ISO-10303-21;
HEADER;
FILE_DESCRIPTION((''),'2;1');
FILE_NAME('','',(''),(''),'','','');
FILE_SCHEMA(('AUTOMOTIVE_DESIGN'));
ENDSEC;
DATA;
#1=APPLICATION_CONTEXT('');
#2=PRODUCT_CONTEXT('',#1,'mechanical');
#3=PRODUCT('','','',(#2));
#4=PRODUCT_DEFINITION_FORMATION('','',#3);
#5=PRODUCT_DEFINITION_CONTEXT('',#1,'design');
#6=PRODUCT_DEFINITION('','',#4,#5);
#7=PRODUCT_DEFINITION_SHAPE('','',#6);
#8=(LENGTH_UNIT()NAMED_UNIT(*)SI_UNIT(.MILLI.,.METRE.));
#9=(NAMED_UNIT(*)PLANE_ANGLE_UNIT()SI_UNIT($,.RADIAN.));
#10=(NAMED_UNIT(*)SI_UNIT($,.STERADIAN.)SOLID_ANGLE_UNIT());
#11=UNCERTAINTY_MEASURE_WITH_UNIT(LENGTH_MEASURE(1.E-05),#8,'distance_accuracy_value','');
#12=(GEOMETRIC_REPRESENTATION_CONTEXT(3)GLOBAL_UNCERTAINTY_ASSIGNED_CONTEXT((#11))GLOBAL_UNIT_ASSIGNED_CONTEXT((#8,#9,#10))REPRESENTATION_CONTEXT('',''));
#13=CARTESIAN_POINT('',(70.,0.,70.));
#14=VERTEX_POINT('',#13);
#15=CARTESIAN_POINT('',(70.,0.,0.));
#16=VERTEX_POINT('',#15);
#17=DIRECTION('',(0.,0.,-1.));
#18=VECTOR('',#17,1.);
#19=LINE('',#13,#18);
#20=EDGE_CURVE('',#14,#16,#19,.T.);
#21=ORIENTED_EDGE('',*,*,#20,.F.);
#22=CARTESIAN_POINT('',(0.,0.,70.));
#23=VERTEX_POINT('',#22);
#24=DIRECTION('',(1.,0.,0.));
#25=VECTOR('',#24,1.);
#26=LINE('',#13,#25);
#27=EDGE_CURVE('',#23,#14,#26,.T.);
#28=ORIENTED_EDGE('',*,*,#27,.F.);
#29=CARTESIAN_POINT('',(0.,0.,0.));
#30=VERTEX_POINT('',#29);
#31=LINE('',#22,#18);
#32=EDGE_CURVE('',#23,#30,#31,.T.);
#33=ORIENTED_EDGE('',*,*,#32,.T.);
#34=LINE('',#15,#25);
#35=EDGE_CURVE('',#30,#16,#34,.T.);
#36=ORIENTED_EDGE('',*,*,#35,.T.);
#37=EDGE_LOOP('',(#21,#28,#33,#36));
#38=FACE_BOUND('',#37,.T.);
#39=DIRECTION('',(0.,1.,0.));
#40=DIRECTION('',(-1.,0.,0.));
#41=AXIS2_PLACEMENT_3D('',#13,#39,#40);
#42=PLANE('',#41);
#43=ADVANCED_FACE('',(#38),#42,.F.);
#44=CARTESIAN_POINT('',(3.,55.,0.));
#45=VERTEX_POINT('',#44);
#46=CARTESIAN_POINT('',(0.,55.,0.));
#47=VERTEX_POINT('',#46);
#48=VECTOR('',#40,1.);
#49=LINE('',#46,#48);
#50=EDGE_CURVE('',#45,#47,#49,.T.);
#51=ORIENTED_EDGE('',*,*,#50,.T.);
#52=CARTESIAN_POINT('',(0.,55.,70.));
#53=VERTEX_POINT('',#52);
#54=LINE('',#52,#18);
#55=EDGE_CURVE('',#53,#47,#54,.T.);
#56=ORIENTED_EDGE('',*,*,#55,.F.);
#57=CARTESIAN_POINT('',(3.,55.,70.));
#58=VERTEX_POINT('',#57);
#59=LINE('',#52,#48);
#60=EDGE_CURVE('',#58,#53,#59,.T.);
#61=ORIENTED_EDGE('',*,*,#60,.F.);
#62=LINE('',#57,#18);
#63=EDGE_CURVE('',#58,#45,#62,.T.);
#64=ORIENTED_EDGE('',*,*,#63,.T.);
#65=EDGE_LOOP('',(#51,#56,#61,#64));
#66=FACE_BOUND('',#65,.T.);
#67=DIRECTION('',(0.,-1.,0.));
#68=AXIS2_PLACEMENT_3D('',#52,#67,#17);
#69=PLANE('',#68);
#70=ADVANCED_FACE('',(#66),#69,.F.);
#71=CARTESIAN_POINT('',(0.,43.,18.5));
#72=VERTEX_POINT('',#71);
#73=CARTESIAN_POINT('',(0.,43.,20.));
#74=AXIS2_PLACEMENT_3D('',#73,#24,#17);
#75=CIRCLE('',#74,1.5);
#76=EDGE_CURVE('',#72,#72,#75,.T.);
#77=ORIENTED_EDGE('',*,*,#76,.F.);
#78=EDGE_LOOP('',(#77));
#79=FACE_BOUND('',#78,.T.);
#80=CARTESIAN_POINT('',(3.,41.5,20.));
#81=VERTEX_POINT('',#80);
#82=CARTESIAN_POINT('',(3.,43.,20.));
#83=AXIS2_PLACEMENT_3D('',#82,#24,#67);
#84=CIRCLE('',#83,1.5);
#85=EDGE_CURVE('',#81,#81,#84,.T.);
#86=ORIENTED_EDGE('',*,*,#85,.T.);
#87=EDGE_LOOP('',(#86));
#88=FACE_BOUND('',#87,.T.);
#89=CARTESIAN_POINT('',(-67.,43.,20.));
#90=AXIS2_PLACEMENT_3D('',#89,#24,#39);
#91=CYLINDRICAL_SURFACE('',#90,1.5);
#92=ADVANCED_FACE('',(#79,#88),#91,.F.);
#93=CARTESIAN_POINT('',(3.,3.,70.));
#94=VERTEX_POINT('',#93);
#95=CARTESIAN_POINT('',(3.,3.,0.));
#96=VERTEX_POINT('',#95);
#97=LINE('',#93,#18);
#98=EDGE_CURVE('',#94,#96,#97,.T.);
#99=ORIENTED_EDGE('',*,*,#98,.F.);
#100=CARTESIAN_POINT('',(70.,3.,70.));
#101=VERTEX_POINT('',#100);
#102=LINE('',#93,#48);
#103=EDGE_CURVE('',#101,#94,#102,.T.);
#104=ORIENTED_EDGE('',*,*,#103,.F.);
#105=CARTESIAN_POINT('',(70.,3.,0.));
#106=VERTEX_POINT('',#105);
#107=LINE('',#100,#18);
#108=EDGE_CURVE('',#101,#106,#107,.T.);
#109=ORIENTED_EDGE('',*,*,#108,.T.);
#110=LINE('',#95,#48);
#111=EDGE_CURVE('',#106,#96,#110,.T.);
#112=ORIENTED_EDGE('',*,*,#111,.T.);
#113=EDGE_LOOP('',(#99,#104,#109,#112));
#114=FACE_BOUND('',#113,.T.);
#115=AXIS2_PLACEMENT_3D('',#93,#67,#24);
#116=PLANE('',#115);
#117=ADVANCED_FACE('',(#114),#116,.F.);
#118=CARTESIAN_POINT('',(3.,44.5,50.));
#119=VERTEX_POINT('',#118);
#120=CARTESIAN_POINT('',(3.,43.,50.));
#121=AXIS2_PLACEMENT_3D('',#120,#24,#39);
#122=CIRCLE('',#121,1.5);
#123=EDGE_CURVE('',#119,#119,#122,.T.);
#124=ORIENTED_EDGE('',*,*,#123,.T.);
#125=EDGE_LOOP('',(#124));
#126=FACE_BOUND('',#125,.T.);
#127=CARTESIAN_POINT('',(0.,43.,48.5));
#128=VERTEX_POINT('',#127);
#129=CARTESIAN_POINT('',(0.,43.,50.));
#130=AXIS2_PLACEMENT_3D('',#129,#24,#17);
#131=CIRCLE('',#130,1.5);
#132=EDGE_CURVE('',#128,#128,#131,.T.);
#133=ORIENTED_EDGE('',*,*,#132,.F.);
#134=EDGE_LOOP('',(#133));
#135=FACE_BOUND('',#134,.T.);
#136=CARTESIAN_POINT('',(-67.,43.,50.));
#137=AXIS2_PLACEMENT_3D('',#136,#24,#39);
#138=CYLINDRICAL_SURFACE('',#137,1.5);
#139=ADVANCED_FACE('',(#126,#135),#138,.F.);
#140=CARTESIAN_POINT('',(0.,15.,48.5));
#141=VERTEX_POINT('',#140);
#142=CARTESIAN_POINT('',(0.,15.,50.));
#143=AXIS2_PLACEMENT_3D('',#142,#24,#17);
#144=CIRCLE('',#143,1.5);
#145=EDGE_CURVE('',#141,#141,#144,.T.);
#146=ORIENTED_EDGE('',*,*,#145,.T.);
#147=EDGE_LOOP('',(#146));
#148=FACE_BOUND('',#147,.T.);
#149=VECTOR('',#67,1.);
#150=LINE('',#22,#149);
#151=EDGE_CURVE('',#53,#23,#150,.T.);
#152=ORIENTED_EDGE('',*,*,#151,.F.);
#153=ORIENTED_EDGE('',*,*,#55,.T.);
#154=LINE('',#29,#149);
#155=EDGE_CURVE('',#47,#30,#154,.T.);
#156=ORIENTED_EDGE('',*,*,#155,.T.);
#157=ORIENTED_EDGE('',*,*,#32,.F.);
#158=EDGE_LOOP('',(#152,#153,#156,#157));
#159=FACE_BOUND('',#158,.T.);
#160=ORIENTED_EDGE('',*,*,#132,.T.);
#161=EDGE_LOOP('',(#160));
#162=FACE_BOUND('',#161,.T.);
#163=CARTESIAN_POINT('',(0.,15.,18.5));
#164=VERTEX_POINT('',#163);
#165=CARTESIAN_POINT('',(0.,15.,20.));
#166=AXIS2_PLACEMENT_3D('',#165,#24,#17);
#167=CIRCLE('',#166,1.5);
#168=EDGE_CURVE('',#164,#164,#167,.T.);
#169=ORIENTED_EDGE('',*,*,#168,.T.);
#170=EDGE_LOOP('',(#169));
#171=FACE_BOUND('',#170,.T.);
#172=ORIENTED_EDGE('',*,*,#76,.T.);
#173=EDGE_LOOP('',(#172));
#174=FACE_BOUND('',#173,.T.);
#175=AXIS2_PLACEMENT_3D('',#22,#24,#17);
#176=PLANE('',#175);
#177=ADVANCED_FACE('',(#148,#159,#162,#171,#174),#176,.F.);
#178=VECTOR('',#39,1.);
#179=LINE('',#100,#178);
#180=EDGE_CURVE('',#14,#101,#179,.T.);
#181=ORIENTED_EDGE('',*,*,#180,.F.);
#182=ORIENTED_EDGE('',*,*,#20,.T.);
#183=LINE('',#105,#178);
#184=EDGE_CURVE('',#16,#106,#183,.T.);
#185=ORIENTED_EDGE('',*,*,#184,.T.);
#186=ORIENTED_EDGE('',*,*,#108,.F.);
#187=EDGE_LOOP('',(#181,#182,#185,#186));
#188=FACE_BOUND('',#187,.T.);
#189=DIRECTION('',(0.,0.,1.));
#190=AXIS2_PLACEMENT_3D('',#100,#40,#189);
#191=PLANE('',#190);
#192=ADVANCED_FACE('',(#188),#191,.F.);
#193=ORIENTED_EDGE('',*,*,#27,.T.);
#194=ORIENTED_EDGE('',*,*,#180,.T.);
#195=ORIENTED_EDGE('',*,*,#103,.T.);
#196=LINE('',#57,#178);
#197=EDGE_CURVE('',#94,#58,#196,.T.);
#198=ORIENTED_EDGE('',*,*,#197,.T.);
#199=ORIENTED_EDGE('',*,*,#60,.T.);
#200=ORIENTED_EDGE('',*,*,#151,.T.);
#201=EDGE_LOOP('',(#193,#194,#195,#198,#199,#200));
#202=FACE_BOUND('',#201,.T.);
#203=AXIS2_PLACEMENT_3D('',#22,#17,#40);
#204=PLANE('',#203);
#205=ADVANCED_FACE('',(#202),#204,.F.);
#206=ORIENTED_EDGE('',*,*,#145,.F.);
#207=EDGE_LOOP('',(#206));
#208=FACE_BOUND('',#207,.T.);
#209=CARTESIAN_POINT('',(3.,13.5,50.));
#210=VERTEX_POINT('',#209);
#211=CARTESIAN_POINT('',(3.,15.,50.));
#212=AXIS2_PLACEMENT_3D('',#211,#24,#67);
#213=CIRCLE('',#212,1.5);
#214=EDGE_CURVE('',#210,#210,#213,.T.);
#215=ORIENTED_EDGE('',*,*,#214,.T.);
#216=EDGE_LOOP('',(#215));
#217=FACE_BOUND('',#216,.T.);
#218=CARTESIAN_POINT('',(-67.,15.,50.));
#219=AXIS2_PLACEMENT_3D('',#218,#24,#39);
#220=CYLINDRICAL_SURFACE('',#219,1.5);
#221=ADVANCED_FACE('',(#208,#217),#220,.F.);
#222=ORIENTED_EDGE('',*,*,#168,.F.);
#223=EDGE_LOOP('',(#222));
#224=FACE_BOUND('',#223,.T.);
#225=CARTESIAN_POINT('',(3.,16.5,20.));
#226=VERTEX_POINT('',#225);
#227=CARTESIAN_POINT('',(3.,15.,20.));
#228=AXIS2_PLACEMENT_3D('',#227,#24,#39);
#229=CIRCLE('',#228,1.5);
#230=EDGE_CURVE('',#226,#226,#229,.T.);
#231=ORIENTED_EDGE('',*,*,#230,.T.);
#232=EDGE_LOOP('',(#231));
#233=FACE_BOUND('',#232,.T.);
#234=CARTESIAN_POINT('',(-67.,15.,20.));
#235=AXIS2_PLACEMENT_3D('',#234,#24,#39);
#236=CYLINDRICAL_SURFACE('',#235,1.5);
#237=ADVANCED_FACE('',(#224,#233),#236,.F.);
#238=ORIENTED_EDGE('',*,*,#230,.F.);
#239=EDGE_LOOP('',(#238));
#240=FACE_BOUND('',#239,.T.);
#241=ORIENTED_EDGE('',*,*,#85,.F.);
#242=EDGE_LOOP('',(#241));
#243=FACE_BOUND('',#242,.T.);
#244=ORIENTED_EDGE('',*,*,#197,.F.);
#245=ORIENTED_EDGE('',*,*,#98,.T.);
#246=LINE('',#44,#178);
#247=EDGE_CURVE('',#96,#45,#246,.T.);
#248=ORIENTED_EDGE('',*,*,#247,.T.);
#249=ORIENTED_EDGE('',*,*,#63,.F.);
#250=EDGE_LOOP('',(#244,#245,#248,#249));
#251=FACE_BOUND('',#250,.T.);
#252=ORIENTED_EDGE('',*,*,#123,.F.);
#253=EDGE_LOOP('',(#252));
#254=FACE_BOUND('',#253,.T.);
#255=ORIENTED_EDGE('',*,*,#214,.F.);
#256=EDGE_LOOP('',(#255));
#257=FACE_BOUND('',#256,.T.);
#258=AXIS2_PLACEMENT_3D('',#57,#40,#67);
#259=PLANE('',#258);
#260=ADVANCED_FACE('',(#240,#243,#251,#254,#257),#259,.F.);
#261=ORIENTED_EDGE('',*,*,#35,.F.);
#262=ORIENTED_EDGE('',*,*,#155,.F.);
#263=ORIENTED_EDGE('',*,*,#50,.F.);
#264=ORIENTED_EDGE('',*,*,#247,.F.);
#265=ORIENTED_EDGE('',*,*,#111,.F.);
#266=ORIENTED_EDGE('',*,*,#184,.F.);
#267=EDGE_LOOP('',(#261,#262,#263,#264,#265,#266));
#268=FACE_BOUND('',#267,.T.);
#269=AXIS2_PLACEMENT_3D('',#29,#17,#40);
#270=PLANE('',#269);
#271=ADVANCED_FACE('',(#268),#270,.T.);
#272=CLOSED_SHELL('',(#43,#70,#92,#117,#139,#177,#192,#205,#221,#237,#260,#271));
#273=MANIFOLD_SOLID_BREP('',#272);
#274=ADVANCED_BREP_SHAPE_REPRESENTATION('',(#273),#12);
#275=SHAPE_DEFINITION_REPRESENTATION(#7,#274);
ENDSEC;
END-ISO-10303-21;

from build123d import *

# Parameters (mm, degrees)
BOSS_EXTRUDE1_DEPTH = 70
SKETCH2_R           = 1.5
CUT_EXTRUDE1_DEPTH  = 70


with BuildPart() as part:
    # Sketch1 → Boss-Extrude1 (new body)
    with BuildSketch(Plane.XY):
        Polygon((0, 0), (0, 55), (3, 55), (3, 3), (70, 3), (70, 0), align=None)
    extrude(amount=BOSS_EXTRUDE1_DEPTH)

    # Sketch2 → Cut-Extrude1 (cut)
    with BuildSketch(Plane(origin=(3, 0, 0), x_dir=(0, 0, -1), z_dir=(1, 0, 0))):
        with Locations((-50, 43)):
            Circle(SKETCH2_R)
        with Locations((-20, 43)):
            Circle(SKETCH2_R)
        with Locations((-20, 15)):
            Circle(SKETCH2_R)
        with Locations((-50, 15)):
            Circle(SKETCH2_R)
    extrude(amount=-CUT_EXTRUDE1_DEPTH, mode=Mode.SUBTRACT)


solid = part.part
